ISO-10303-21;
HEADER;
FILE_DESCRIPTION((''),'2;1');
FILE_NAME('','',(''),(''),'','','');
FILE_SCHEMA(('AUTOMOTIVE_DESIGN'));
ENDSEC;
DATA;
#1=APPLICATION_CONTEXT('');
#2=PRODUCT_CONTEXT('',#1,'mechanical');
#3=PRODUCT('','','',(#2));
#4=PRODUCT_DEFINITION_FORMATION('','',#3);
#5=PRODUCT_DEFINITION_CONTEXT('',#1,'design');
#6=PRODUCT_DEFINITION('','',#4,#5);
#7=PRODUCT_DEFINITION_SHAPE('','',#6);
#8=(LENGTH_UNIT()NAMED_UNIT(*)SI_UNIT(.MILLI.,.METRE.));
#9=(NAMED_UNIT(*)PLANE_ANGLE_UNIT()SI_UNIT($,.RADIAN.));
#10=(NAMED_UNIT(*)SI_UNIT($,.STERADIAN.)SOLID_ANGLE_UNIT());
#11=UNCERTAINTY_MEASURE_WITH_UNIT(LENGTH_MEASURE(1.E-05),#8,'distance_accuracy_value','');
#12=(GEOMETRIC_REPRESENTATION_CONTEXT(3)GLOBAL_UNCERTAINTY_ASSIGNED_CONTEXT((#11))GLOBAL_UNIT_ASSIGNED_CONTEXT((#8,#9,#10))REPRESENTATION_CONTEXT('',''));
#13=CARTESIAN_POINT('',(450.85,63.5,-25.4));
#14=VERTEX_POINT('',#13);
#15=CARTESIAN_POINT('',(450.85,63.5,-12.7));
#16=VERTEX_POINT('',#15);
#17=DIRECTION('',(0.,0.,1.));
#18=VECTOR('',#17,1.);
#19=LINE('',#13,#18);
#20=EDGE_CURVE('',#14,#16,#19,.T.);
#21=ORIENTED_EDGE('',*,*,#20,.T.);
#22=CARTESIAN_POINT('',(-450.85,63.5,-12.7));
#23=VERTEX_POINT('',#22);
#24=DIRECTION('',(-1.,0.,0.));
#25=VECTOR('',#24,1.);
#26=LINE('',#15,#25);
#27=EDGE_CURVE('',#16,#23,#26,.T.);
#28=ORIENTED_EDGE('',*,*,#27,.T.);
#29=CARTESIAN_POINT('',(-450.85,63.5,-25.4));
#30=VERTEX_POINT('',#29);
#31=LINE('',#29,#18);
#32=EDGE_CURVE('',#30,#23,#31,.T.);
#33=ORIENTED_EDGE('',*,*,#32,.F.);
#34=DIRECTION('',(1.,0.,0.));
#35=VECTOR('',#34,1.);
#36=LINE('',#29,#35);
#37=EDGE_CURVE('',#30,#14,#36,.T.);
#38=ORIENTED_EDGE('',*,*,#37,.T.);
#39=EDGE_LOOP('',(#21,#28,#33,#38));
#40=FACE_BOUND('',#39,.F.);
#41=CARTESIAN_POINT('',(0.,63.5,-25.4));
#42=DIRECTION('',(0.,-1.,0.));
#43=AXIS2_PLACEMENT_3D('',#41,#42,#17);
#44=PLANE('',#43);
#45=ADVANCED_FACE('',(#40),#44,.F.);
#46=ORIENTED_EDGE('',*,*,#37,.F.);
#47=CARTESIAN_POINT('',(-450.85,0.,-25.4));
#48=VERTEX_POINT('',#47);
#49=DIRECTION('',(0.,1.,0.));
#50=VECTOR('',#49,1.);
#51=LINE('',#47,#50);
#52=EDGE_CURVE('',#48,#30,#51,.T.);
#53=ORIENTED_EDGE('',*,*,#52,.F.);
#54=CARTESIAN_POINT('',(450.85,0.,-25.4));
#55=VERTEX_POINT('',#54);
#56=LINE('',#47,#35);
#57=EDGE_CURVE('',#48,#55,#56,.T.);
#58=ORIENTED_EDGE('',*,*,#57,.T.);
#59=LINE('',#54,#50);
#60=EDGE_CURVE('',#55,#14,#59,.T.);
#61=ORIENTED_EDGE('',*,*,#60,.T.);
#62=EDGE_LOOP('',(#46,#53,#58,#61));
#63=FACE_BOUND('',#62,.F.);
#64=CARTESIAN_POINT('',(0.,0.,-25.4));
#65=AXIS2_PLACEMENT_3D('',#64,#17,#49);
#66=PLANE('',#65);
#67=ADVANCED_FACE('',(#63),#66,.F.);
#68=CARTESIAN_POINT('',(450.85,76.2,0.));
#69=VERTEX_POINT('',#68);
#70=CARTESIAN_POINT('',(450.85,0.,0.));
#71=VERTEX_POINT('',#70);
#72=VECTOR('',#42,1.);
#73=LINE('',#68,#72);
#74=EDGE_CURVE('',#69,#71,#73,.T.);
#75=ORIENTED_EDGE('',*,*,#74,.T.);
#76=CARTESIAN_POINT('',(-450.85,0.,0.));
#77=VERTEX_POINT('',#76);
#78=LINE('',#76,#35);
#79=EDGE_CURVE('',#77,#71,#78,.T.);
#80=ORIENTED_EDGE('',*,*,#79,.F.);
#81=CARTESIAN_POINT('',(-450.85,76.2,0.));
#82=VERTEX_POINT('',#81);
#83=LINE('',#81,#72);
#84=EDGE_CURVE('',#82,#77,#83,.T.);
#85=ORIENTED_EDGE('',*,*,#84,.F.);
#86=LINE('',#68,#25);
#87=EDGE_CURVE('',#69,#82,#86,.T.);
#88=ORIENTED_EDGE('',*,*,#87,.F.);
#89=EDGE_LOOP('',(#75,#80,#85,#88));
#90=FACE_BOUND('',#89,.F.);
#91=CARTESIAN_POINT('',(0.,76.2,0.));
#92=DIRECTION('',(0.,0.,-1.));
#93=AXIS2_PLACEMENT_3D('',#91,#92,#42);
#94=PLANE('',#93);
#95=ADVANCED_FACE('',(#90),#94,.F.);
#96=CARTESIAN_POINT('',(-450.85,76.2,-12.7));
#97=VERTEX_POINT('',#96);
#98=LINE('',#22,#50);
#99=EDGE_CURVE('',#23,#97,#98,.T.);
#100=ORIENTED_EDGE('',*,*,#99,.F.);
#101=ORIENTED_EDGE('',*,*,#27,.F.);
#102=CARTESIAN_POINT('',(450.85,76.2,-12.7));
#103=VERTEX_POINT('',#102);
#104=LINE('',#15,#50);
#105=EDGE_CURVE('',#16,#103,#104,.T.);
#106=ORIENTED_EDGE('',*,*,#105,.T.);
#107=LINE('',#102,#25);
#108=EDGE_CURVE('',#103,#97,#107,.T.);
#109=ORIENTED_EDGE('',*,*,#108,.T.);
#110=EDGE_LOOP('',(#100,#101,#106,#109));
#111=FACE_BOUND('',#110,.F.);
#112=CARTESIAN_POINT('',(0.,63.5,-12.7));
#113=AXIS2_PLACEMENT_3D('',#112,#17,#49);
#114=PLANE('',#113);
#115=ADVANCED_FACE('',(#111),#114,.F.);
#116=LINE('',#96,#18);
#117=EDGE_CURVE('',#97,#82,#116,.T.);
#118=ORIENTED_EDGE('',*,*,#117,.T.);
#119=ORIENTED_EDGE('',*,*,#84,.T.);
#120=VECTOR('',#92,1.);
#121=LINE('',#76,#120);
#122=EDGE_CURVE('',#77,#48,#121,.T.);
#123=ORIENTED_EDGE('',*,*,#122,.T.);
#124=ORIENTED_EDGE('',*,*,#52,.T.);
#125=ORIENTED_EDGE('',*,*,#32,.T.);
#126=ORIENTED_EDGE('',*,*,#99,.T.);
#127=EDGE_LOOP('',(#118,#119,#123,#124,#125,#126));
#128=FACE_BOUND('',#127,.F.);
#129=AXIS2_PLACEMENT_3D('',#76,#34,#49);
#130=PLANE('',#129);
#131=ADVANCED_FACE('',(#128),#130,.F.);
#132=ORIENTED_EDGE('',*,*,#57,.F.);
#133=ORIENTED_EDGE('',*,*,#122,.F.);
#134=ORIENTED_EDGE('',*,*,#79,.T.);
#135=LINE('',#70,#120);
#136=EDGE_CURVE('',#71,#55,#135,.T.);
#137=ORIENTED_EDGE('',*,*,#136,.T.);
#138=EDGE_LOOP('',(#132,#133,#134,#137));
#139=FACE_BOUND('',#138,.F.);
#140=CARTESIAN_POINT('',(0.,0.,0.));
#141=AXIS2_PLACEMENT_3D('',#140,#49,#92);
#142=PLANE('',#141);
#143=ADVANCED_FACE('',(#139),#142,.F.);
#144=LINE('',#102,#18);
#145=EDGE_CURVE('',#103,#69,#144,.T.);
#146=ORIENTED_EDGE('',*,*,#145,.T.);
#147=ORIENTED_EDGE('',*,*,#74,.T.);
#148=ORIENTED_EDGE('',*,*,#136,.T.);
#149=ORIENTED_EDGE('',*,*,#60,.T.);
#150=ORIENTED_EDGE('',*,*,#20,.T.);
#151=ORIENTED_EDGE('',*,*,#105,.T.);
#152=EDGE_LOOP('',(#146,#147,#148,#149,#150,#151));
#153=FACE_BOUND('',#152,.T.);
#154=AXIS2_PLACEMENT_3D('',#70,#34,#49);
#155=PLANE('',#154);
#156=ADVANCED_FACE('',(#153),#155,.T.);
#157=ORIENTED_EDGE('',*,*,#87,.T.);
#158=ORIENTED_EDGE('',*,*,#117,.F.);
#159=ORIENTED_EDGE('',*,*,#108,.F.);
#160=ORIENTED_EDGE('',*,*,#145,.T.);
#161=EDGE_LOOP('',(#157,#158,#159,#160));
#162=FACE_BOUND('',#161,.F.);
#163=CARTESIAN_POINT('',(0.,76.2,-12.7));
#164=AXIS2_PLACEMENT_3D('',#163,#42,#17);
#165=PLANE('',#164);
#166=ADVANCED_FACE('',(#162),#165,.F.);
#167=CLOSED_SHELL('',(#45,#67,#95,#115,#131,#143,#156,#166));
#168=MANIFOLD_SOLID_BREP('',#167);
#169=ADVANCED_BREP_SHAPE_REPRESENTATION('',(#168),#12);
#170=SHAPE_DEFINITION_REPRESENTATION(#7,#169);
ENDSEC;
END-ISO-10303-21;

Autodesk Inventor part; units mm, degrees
ref_plane "YZ Plane" through (0, 0, 0) normal (1, 0, 0) x (0, 1, 0)
ref_plane "XZ Plane" through (0, 0, 0) normal (0, 1, 0) x (-1, 0, 0)
ref_plane "XY Plane" through (0, 0, 0) normal (0, 0, 1) x (1, 0, 0)
sketch "Sketch1" plane through (0, 0, 0) normal (1, 0, 0) x (0, 1, 0)
  line L0 (0, 0) -> (0, -25.4)
  line L1 (0, -25.4) -> (63.5, -25.4)
  line L2 (63.5, -25.4) -> (63.5, -12.7)
  line L3 (63.5, -12.7) -> (76.2, -12.7)
  line L4 (76.2, -12.7) -> (76.2, 0)
  line L5 (76.2, 0) -> (0, 0)
  dimension "d0" = 25.4
  dimension "d1" = 63.5
  dimension "d2" = 12.7
  dimension "d3" = 12.7
  dimension "d4" = 12.7
extrude "Extrusion1" add sketch "Sketch1" along normal mid plane 901.7
properties part number "front beam" material "Wood (Oak)"
